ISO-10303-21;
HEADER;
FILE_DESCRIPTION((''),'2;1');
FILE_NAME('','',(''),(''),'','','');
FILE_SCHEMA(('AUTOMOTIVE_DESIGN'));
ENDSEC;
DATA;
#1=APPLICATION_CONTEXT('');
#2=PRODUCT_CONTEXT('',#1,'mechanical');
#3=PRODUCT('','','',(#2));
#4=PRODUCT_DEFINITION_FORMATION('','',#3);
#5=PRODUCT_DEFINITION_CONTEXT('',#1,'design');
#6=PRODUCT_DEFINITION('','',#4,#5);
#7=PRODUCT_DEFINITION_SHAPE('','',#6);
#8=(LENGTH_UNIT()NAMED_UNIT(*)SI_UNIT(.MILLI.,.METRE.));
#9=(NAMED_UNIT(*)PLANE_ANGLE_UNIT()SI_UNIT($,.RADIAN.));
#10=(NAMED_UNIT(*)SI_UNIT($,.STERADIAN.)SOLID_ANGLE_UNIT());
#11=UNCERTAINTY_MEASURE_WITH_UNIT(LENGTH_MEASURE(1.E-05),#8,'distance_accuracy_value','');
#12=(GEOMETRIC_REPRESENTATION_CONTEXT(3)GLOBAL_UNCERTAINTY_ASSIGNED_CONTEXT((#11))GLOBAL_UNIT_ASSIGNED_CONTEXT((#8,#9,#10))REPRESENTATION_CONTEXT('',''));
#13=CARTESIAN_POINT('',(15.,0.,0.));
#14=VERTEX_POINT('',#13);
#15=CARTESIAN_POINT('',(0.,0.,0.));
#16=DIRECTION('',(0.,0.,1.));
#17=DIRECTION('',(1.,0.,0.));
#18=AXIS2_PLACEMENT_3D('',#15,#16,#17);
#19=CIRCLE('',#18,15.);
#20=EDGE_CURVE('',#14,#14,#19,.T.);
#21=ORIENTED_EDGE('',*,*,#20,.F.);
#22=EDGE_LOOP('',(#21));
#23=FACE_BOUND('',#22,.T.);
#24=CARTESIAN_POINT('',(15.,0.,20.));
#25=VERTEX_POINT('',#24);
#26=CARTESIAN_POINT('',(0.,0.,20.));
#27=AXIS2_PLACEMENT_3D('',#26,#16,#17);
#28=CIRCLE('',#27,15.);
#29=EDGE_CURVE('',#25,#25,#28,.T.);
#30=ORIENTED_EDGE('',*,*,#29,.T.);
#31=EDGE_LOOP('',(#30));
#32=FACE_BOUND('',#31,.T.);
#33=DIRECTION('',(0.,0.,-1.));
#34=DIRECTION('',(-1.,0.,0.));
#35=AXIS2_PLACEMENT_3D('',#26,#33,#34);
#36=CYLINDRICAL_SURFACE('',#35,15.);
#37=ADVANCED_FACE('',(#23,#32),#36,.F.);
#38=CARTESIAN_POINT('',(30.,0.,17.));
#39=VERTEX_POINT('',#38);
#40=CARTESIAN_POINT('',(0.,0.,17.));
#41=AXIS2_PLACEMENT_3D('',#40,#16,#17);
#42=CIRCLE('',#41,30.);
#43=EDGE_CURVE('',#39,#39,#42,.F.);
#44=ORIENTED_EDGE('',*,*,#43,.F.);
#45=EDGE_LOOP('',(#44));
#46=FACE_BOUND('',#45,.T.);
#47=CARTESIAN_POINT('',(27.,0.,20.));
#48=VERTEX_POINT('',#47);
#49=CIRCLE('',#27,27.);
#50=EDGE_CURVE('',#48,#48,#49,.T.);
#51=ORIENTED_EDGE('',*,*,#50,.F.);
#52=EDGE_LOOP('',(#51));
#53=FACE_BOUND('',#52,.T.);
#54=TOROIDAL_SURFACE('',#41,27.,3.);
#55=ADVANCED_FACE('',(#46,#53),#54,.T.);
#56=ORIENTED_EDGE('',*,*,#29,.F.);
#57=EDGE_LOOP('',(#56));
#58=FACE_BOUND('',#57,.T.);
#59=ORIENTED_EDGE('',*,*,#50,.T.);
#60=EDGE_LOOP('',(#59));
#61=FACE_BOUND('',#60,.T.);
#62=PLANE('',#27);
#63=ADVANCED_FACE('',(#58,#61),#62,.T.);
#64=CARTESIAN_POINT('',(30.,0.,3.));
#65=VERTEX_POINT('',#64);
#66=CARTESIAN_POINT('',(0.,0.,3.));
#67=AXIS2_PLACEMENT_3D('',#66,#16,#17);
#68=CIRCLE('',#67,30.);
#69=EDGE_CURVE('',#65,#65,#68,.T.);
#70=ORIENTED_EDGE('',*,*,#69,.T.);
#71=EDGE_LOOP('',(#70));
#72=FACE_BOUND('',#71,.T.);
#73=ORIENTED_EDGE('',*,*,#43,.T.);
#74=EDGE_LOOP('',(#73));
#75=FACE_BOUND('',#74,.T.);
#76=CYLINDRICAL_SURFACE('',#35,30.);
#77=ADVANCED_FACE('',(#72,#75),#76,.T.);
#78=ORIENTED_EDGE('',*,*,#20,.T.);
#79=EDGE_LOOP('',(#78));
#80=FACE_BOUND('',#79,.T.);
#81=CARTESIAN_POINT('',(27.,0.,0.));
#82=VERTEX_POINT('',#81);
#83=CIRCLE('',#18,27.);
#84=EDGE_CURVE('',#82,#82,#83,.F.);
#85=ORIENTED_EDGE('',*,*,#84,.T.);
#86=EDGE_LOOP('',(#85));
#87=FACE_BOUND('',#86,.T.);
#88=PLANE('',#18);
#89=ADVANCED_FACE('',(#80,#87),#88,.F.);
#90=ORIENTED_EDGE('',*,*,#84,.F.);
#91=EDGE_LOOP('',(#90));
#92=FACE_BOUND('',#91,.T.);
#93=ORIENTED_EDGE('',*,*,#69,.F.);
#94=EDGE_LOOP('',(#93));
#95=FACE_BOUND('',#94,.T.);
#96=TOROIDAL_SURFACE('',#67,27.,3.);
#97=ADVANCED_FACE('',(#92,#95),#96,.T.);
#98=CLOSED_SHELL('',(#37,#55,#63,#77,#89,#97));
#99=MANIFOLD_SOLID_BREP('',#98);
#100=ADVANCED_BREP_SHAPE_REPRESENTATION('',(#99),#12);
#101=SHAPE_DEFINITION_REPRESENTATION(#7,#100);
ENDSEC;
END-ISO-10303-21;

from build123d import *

# Parameters (mm, degrees)
SKETCH1_R           = 30
SKETCH1_R_2         = 15
BOSS_EXTRUDE1_DEPTH = 20
FILLET1_R           = 3


with BuildPart() as part:
    # Sketch1 → Boss-Extrude1 (new body)
    with BuildSketch(Plane.XY):
        Circle(SKETCH1_R)
        Circle(SKETCH1_R_2, mode=Mode.SUBTRACT)
    extrude(amount=BOSS_EXTRUDE1_DEPTH)

    # Fillet1
    fillet1_edges = [part.edges().sort_by_distance(p)[0] for p in [
        (-30, 0, 0),
        (-30, 0, 20),
    ]]
    fillet(fillet1_edges, radius=FILLET1_R)


solid = part.part
